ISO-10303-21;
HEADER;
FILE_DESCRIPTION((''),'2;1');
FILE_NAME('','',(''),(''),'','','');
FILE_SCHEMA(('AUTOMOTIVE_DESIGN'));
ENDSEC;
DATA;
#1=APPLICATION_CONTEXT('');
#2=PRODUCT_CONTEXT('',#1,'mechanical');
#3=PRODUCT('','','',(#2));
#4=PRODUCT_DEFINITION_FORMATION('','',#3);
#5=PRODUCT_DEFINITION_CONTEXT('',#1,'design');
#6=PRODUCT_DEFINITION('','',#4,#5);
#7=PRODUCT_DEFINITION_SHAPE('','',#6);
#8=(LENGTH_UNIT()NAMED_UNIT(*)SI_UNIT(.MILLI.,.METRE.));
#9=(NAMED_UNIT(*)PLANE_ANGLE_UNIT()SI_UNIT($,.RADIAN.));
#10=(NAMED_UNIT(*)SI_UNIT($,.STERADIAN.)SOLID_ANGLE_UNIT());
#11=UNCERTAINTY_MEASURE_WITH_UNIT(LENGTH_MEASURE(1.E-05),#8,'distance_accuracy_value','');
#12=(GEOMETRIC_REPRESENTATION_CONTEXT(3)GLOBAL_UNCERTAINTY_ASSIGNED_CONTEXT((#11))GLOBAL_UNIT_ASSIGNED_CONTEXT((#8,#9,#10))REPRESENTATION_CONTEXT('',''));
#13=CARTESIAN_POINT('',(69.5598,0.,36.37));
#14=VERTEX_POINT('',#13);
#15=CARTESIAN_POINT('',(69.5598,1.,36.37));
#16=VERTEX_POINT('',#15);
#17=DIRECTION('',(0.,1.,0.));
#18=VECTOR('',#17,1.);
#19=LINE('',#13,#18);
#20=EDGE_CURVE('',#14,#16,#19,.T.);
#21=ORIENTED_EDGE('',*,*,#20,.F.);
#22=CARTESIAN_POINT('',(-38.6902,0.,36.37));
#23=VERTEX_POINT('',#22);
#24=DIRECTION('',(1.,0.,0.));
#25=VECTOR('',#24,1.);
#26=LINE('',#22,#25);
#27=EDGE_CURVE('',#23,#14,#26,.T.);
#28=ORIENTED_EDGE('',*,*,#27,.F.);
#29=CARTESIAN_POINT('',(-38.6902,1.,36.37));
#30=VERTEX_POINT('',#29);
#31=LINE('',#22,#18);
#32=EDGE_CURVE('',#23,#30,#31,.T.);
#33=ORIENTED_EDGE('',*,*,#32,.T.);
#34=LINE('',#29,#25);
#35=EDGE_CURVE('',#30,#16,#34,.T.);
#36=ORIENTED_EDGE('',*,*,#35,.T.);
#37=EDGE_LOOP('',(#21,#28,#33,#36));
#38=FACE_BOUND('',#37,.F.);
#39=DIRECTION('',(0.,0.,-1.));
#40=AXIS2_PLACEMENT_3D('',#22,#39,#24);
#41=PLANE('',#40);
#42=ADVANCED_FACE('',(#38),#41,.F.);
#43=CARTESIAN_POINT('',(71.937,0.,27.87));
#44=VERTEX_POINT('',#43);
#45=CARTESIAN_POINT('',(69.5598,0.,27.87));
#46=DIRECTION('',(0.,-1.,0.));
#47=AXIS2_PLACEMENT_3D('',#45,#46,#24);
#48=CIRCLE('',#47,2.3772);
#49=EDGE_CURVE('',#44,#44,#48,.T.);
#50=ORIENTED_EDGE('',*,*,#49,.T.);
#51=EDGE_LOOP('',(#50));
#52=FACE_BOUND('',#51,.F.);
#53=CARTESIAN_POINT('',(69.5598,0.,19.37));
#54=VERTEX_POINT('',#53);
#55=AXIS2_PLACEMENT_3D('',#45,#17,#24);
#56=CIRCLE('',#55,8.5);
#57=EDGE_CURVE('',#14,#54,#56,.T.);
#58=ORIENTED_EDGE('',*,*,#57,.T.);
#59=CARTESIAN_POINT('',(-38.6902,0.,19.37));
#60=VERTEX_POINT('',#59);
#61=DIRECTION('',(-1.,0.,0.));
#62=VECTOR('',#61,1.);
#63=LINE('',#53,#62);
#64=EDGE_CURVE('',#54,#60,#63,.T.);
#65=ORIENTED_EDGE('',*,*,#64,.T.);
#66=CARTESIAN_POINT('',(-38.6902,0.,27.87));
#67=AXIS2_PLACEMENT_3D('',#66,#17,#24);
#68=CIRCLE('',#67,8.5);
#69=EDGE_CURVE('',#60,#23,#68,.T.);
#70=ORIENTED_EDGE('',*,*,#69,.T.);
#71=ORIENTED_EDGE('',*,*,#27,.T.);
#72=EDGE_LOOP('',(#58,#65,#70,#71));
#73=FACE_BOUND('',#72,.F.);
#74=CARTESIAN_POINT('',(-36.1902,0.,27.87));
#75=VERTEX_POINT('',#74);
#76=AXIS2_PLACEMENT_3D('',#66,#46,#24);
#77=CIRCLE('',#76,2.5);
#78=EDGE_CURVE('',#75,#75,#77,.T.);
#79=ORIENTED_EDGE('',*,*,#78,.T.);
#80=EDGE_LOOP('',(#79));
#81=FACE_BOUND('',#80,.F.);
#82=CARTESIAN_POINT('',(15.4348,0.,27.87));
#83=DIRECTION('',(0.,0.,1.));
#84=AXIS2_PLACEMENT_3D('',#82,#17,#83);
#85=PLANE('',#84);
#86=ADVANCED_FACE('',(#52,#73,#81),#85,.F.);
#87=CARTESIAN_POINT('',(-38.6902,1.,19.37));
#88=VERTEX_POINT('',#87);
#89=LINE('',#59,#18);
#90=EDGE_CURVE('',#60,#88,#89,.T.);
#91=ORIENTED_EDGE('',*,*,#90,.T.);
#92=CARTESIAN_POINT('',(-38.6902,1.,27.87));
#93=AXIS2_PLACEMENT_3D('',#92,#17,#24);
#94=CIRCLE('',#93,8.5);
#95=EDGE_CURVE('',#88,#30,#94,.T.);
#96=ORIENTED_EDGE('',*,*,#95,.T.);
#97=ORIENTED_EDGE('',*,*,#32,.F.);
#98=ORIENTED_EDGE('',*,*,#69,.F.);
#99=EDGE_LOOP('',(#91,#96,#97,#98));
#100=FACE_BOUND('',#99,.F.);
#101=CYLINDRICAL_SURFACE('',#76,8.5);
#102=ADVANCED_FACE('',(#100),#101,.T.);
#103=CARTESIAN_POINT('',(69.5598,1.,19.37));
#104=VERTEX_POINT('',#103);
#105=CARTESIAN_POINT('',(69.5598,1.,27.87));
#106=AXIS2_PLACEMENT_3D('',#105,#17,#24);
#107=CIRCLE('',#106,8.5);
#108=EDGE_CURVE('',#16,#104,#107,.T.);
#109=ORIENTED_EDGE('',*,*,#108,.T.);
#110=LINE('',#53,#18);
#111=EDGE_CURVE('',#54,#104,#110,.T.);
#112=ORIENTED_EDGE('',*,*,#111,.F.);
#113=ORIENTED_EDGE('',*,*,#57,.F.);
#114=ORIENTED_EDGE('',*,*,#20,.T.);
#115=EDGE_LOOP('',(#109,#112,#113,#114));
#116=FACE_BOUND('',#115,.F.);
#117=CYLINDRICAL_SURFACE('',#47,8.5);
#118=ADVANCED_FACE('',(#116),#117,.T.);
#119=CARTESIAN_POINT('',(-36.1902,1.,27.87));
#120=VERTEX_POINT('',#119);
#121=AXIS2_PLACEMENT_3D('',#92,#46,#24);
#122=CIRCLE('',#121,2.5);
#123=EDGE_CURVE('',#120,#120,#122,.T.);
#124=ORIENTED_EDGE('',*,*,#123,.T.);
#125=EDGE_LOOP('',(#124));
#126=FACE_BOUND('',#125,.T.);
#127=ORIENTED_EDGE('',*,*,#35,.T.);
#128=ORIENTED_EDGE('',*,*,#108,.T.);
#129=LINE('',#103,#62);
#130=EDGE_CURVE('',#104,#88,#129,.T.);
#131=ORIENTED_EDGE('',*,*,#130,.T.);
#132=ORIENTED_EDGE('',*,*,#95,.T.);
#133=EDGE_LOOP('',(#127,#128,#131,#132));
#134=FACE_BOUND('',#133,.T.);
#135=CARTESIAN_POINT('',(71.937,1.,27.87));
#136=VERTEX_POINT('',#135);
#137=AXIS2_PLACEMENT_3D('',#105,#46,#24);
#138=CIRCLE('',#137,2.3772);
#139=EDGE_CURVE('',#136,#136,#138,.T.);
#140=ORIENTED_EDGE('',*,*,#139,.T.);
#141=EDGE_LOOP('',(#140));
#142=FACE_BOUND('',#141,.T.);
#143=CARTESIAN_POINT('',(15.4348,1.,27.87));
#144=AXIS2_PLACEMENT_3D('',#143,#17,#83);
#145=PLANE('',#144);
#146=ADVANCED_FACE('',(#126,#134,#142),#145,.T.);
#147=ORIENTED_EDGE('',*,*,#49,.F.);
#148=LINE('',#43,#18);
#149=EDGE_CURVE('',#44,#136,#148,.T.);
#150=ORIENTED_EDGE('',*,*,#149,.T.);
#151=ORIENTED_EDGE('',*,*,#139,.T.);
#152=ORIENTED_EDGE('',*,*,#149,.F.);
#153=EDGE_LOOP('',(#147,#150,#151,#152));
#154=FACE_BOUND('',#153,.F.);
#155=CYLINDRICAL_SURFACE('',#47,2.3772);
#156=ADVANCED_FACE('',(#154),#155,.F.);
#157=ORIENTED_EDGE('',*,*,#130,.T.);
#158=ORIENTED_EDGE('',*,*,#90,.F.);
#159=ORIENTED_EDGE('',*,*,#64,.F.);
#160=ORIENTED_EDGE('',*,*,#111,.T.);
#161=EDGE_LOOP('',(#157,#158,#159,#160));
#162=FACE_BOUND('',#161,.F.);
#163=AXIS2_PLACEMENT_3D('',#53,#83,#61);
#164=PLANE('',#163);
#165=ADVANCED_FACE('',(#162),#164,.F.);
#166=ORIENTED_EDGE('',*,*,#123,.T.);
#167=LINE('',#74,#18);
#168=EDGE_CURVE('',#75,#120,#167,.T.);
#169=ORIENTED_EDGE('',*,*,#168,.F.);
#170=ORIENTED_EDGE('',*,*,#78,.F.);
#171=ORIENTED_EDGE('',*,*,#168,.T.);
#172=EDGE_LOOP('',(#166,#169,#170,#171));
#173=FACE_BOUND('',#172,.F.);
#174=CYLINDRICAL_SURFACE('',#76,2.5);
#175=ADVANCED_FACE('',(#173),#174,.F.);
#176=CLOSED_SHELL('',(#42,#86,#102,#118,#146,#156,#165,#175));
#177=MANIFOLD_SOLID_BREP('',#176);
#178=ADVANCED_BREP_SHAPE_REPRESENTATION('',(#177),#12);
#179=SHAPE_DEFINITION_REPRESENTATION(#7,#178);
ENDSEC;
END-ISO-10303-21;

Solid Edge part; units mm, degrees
sketch "Sketch1" plane through (0, 0, 0) normal (0, -1, 0) x (1, 0, 0)
  circle A0 centre (-38.6902, 27.87) radius 2.5
  line L0 (69.5598, 19.37) -> (-38.6902, 19.37)
  line L1 (-38.6902, 36.37) -> (69.5598, 36.37)
  arc A1 (-38.6902, 19.37) -> (-38.6902, 36.37) centre (-38.6902, 27.87) cw
  arc A2 (69.5598, 36.37) -> (69.5598, 19.37) centre (69.5598, 27.87) cw
  circle A3 centre (69.5598, 27.87) radius 2.3772
extrude "Protrusion1" add sketch "Sketch1" against normal blind 1
